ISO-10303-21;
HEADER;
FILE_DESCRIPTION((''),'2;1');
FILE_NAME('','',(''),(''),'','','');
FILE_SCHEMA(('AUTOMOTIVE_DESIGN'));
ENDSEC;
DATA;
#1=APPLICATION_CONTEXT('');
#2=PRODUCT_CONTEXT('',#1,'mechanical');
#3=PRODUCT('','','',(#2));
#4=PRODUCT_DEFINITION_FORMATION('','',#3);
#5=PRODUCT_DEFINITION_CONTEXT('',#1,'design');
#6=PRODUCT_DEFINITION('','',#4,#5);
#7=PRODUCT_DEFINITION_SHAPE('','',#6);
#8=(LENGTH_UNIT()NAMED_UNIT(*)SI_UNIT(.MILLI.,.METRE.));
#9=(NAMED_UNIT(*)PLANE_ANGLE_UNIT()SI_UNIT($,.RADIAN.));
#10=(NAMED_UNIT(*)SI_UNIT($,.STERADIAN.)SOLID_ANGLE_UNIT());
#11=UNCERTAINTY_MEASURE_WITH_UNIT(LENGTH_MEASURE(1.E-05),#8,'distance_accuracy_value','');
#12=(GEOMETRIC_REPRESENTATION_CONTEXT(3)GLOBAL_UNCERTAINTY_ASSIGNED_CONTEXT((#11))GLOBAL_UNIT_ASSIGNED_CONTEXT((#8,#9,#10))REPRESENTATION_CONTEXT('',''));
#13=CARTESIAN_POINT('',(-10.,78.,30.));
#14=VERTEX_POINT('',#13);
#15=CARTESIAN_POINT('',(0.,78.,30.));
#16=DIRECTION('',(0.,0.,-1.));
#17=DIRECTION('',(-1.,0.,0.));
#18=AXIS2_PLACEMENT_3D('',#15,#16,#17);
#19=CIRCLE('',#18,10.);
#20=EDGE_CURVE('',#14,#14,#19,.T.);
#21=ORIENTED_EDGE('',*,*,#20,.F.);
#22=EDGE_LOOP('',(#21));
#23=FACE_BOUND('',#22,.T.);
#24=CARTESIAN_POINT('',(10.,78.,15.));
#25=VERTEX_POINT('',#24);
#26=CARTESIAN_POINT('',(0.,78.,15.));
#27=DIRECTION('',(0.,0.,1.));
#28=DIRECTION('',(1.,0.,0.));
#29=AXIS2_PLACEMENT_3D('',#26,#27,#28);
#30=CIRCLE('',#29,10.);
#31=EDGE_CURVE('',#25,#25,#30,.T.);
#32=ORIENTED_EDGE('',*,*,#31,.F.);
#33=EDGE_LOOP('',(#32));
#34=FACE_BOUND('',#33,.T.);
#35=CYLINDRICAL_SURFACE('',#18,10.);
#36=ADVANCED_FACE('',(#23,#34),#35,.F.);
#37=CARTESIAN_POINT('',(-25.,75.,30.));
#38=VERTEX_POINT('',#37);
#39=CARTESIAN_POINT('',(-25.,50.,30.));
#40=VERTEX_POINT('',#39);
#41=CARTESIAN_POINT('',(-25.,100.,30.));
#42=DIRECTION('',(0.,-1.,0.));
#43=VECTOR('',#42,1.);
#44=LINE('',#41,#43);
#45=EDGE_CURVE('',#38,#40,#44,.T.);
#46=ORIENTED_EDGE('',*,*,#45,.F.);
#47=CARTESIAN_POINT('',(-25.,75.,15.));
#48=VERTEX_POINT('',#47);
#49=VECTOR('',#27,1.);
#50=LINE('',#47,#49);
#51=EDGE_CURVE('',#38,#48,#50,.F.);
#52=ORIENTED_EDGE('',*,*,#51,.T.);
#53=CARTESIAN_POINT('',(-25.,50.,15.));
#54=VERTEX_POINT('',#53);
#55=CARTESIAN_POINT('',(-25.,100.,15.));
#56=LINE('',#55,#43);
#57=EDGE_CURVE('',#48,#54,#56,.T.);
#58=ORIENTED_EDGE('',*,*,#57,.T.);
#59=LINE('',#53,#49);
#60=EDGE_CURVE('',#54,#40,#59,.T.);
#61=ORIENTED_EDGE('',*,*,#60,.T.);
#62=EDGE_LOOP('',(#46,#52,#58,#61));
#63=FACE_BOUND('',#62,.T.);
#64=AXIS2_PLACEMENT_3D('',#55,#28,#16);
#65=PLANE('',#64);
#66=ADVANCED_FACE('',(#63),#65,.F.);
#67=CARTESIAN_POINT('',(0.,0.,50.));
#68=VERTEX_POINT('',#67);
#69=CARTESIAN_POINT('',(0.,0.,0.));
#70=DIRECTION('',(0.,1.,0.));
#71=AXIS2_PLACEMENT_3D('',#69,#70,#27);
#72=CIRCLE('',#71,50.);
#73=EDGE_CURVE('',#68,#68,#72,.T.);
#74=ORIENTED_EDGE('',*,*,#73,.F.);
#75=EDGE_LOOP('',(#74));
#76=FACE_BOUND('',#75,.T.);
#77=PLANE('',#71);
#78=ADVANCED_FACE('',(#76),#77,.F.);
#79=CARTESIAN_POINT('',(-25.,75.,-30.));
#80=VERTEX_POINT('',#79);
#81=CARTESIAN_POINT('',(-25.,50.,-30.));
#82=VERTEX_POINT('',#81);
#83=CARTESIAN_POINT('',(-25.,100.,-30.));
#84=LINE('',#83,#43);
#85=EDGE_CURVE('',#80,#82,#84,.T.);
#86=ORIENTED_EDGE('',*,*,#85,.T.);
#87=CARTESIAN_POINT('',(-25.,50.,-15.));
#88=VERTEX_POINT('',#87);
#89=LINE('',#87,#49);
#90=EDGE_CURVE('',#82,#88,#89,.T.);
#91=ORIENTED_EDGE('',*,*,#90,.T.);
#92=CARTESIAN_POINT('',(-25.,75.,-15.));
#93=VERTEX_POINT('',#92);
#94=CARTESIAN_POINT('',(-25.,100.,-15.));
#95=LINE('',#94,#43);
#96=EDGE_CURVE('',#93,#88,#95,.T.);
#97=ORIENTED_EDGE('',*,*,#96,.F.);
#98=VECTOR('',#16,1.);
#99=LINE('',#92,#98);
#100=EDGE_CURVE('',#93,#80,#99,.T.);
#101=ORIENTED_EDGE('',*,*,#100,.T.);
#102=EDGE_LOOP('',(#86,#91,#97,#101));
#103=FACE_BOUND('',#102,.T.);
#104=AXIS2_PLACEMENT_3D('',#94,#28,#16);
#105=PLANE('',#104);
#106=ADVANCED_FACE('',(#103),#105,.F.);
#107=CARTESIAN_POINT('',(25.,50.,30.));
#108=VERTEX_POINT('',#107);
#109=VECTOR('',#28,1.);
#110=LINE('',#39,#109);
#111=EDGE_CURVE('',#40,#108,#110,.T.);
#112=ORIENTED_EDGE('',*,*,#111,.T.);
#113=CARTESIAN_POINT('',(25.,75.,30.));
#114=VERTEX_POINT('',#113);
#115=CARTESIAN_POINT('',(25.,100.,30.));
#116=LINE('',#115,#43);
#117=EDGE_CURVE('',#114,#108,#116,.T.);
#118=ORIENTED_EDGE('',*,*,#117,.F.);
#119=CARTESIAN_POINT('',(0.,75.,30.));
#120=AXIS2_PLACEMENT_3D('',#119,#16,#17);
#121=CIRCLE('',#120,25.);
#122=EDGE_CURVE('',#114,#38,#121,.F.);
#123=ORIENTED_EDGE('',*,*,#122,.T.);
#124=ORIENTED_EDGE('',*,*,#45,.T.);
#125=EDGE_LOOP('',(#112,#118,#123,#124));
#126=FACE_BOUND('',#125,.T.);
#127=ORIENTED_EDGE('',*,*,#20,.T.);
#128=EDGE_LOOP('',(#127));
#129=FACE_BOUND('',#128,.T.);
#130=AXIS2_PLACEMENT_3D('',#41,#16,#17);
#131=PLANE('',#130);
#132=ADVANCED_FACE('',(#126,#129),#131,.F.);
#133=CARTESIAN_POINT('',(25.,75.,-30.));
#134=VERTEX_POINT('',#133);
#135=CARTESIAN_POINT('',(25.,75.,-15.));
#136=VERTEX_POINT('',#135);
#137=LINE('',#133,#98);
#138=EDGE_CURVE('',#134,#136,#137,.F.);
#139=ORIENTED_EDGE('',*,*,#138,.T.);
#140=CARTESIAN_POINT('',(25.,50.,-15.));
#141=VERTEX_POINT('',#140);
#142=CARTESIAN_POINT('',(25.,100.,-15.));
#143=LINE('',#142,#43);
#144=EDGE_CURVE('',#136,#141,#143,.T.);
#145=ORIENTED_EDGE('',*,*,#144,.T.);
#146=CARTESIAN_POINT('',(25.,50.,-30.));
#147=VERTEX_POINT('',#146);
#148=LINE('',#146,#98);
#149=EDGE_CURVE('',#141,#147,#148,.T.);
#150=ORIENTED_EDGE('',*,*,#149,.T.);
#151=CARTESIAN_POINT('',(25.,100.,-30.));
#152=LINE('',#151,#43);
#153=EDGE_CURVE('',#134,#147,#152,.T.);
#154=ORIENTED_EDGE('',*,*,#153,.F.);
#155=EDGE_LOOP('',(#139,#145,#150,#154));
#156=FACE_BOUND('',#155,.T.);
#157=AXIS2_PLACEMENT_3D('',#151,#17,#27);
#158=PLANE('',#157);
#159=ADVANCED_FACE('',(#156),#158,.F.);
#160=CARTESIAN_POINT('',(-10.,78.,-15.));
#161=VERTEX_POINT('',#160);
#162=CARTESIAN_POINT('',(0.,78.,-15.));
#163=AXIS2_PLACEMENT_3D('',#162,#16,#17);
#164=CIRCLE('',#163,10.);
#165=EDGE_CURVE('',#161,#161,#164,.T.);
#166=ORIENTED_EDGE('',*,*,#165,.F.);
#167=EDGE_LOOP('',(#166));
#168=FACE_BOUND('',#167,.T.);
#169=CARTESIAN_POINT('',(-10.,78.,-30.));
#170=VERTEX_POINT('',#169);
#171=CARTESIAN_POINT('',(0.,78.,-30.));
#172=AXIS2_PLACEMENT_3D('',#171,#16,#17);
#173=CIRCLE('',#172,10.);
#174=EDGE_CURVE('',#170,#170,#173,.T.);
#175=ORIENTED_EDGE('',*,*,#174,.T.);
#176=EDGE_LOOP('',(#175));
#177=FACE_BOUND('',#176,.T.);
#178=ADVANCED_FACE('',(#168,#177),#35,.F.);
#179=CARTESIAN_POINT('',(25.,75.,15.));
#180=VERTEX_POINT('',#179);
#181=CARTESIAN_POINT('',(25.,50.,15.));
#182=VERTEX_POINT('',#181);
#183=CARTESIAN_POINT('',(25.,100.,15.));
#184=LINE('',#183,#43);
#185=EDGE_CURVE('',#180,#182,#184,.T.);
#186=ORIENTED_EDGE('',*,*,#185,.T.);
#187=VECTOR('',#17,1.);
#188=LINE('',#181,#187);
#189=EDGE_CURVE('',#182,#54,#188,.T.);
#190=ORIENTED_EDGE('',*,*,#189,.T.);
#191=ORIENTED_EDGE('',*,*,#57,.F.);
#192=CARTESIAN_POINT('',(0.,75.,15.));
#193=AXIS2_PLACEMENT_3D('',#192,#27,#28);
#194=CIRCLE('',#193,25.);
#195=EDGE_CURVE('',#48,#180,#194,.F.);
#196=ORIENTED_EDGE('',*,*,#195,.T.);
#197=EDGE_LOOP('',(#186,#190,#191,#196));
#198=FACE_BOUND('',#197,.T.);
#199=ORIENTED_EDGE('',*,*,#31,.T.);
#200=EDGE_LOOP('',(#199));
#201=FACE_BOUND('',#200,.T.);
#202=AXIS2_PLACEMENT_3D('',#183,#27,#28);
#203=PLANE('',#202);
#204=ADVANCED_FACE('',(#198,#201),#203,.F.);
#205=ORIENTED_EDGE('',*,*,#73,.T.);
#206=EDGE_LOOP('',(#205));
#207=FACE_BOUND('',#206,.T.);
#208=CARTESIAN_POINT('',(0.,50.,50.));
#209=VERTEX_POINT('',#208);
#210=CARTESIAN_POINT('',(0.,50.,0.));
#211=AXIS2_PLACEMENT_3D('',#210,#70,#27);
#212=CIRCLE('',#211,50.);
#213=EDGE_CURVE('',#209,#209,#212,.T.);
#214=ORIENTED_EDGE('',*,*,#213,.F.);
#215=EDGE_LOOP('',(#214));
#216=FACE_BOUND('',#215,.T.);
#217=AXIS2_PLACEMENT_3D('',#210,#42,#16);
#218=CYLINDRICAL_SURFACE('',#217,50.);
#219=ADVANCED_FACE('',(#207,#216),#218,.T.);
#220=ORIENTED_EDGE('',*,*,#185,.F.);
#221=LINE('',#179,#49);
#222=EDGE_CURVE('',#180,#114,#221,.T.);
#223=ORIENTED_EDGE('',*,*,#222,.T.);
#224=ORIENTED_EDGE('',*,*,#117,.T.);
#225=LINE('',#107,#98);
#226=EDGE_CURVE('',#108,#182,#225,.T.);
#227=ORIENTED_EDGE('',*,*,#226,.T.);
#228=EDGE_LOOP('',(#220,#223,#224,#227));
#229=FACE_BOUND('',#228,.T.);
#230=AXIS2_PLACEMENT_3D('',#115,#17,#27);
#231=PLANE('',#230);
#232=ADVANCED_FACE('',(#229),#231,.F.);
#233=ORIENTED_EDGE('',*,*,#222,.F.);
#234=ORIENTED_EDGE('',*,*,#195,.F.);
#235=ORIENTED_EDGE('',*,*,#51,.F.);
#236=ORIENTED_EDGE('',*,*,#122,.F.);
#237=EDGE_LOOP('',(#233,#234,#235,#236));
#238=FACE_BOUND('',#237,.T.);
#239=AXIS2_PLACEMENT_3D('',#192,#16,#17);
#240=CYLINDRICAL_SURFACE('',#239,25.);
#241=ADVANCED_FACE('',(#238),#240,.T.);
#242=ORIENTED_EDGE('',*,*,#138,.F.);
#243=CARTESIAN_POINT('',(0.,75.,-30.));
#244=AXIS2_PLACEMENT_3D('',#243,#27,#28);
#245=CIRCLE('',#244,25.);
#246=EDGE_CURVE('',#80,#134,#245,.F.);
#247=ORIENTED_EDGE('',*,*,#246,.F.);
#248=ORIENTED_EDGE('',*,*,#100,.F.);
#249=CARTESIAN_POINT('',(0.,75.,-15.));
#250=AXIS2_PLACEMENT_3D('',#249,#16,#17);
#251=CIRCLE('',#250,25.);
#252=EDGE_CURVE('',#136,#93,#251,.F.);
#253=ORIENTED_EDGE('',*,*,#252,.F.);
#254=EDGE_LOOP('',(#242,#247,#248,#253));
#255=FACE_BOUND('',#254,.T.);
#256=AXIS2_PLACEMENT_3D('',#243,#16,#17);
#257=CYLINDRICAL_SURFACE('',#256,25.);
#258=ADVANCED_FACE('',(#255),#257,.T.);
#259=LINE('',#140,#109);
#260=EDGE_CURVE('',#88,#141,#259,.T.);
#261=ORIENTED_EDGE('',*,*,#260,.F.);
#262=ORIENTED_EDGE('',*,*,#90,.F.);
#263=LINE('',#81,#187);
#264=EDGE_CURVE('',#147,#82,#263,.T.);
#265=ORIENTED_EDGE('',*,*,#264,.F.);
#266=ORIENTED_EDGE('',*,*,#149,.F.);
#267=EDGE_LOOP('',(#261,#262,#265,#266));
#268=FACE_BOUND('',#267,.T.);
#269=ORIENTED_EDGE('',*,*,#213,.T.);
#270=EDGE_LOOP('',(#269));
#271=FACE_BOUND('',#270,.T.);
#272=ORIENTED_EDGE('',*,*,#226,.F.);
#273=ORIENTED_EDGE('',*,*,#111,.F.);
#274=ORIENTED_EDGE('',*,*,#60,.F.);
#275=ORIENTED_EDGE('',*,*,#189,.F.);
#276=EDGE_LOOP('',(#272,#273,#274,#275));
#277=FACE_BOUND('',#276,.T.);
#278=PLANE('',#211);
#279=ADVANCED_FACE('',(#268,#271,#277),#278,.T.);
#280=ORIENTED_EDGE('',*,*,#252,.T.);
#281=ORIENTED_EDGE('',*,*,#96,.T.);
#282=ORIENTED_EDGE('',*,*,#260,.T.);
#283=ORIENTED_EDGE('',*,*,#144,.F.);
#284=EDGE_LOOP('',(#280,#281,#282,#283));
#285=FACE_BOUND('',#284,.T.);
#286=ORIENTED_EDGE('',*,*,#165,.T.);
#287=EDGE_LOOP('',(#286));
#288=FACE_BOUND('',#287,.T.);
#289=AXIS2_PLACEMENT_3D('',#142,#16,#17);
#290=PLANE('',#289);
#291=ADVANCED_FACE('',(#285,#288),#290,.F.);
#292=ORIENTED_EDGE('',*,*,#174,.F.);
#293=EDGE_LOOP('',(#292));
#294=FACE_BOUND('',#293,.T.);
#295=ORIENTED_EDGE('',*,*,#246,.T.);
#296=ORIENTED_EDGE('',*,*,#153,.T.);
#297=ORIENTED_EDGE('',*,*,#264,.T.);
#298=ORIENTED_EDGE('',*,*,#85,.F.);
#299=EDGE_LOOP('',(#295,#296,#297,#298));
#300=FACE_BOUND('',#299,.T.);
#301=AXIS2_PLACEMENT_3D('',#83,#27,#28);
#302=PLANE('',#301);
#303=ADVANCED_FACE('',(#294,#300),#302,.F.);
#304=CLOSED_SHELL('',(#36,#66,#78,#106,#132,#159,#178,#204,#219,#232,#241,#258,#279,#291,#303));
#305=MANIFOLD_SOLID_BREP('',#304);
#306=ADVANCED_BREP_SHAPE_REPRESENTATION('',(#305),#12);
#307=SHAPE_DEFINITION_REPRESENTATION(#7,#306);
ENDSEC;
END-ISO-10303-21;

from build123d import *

# Parameters (mm, degrees)
CROQUIS1_R              = 50
SALIENTE_EXTRUIR1_DEPTH = 50
CROQUIS2_W              = 50
CROQUIS2_H              = 15
SALIENTE_EXTRUIR2_DEPTH = 50
CROQUIS4_R              = 10
CORTAR_EXTRUIR1_DEPTH   = 60
REDONDEO1_RADIUS        = 25
REDONDEO1_LENGTH        = 15
REDONDEO2_RADIUS        = 25
REDONDEO2_LENGTH        = 15


with BuildPart() as part:
    # Croquis1 → Saliente-Extruir1 (new body)
    with BuildSketch(Plane(origin=(0, 0, 0), x_dir=(1, 0, 0), z_dir=(0, 1, 0))):
        with Locations(Location((0, 0, 0), (0, 0, 270))):
            Circle(CROQUIS1_R)
    extrude(amount=SALIENTE_EXTRUIR1_DEPTH)

    # Croquis2 → Saliente-Extruir2 (add)
    with BuildSketch(Plane(origin=(0, 50, 0), x_dir=(1, 0, 0), z_dir=(0, 1, 0))):
        with Locations((0, 22.5)):
            Rectangle(CROQUIS2_W, CROQUIS2_H)
        with Locations((0, -22.5)):
            Rectangle(CROQUIS2_W, CROQUIS2_H)
    extrude(amount=SALIENTE_EXTRUIR2_DEPTH)

    # Croquis4 → Cortar-Extruir1 (cut)
    with BuildSketch(Plane(origin=(0, 0, -30), x_dir=(-1, 0, 0), z_dir=(0, 0, -1))):
        with Locations((0, 78)):
            Circle(CROQUIS4_R)
    extrude(amount=-CORTAR_EXTRUIR1_DEPTH, mode=Mode.SUBTRACT)

    # Redondeo1: full round fillet: the end face becomes a half cylinder, R = half its width
    redondeo1_face = Plane((0, 100, -22.5), x_dir=(0, 0, 1), z_dir=(0, 1, 0))  # on the end face: x along it, z out of the body
    redondeo1_slab = redondeo1_face.offset(-REDONDEO1_RADIUS / 2) * Box(REDONDEO1_LENGTH, 2 * REDONDEO1_RADIUS, REDONDEO1_RADIUS, mode=Mode.PRIVATE)  # the body's end, R deep
    redondeo1_round = Plane((0, 75, -22.5), x_dir=(0, 1, 0), z_dir=(0, 0, 1)) * Cylinder(REDONDEO1_RADIUS, REDONDEO1_LENGTH, mode=Mode.PRIVATE)  # its axis R under the face
    add(redondeo1_slab - redondeo1_round, mode=Mode.SUBTRACT)

    # Redondeo2: full round fillet: the end face becomes a half cylinder, R = half its width
    redondeo2_face = Plane((0, 100, 22.5), x_dir=(0, 0, 1), z_dir=(0, 1, 0))  # on the end face: x along it, z out of the body
    redondeo2_slab = redondeo2_face.offset(-REDONDEO2_RADIUS / 2) * Box(REDONDEO2_LENGTH, 2 * REDONDEO2_RADIUS, REDONDEO2_RADIUS, mode=Mode.PRIVATE)  # the body's end, R deep
    redondeo2_round = Plane((0, 75, 22.5), x_dir=(0, 1, 0), z_dir=(0, 0, 1)) * Cylinder(REDONDEO2_RADIUS, REDONDEO2_LENGTH, mode=Mode.PRIVATE)  # its axis R under the face
    add(redondeo2_slab - redondeo2_round, mode=Mode.SUBTRACT)


solid = part.part
